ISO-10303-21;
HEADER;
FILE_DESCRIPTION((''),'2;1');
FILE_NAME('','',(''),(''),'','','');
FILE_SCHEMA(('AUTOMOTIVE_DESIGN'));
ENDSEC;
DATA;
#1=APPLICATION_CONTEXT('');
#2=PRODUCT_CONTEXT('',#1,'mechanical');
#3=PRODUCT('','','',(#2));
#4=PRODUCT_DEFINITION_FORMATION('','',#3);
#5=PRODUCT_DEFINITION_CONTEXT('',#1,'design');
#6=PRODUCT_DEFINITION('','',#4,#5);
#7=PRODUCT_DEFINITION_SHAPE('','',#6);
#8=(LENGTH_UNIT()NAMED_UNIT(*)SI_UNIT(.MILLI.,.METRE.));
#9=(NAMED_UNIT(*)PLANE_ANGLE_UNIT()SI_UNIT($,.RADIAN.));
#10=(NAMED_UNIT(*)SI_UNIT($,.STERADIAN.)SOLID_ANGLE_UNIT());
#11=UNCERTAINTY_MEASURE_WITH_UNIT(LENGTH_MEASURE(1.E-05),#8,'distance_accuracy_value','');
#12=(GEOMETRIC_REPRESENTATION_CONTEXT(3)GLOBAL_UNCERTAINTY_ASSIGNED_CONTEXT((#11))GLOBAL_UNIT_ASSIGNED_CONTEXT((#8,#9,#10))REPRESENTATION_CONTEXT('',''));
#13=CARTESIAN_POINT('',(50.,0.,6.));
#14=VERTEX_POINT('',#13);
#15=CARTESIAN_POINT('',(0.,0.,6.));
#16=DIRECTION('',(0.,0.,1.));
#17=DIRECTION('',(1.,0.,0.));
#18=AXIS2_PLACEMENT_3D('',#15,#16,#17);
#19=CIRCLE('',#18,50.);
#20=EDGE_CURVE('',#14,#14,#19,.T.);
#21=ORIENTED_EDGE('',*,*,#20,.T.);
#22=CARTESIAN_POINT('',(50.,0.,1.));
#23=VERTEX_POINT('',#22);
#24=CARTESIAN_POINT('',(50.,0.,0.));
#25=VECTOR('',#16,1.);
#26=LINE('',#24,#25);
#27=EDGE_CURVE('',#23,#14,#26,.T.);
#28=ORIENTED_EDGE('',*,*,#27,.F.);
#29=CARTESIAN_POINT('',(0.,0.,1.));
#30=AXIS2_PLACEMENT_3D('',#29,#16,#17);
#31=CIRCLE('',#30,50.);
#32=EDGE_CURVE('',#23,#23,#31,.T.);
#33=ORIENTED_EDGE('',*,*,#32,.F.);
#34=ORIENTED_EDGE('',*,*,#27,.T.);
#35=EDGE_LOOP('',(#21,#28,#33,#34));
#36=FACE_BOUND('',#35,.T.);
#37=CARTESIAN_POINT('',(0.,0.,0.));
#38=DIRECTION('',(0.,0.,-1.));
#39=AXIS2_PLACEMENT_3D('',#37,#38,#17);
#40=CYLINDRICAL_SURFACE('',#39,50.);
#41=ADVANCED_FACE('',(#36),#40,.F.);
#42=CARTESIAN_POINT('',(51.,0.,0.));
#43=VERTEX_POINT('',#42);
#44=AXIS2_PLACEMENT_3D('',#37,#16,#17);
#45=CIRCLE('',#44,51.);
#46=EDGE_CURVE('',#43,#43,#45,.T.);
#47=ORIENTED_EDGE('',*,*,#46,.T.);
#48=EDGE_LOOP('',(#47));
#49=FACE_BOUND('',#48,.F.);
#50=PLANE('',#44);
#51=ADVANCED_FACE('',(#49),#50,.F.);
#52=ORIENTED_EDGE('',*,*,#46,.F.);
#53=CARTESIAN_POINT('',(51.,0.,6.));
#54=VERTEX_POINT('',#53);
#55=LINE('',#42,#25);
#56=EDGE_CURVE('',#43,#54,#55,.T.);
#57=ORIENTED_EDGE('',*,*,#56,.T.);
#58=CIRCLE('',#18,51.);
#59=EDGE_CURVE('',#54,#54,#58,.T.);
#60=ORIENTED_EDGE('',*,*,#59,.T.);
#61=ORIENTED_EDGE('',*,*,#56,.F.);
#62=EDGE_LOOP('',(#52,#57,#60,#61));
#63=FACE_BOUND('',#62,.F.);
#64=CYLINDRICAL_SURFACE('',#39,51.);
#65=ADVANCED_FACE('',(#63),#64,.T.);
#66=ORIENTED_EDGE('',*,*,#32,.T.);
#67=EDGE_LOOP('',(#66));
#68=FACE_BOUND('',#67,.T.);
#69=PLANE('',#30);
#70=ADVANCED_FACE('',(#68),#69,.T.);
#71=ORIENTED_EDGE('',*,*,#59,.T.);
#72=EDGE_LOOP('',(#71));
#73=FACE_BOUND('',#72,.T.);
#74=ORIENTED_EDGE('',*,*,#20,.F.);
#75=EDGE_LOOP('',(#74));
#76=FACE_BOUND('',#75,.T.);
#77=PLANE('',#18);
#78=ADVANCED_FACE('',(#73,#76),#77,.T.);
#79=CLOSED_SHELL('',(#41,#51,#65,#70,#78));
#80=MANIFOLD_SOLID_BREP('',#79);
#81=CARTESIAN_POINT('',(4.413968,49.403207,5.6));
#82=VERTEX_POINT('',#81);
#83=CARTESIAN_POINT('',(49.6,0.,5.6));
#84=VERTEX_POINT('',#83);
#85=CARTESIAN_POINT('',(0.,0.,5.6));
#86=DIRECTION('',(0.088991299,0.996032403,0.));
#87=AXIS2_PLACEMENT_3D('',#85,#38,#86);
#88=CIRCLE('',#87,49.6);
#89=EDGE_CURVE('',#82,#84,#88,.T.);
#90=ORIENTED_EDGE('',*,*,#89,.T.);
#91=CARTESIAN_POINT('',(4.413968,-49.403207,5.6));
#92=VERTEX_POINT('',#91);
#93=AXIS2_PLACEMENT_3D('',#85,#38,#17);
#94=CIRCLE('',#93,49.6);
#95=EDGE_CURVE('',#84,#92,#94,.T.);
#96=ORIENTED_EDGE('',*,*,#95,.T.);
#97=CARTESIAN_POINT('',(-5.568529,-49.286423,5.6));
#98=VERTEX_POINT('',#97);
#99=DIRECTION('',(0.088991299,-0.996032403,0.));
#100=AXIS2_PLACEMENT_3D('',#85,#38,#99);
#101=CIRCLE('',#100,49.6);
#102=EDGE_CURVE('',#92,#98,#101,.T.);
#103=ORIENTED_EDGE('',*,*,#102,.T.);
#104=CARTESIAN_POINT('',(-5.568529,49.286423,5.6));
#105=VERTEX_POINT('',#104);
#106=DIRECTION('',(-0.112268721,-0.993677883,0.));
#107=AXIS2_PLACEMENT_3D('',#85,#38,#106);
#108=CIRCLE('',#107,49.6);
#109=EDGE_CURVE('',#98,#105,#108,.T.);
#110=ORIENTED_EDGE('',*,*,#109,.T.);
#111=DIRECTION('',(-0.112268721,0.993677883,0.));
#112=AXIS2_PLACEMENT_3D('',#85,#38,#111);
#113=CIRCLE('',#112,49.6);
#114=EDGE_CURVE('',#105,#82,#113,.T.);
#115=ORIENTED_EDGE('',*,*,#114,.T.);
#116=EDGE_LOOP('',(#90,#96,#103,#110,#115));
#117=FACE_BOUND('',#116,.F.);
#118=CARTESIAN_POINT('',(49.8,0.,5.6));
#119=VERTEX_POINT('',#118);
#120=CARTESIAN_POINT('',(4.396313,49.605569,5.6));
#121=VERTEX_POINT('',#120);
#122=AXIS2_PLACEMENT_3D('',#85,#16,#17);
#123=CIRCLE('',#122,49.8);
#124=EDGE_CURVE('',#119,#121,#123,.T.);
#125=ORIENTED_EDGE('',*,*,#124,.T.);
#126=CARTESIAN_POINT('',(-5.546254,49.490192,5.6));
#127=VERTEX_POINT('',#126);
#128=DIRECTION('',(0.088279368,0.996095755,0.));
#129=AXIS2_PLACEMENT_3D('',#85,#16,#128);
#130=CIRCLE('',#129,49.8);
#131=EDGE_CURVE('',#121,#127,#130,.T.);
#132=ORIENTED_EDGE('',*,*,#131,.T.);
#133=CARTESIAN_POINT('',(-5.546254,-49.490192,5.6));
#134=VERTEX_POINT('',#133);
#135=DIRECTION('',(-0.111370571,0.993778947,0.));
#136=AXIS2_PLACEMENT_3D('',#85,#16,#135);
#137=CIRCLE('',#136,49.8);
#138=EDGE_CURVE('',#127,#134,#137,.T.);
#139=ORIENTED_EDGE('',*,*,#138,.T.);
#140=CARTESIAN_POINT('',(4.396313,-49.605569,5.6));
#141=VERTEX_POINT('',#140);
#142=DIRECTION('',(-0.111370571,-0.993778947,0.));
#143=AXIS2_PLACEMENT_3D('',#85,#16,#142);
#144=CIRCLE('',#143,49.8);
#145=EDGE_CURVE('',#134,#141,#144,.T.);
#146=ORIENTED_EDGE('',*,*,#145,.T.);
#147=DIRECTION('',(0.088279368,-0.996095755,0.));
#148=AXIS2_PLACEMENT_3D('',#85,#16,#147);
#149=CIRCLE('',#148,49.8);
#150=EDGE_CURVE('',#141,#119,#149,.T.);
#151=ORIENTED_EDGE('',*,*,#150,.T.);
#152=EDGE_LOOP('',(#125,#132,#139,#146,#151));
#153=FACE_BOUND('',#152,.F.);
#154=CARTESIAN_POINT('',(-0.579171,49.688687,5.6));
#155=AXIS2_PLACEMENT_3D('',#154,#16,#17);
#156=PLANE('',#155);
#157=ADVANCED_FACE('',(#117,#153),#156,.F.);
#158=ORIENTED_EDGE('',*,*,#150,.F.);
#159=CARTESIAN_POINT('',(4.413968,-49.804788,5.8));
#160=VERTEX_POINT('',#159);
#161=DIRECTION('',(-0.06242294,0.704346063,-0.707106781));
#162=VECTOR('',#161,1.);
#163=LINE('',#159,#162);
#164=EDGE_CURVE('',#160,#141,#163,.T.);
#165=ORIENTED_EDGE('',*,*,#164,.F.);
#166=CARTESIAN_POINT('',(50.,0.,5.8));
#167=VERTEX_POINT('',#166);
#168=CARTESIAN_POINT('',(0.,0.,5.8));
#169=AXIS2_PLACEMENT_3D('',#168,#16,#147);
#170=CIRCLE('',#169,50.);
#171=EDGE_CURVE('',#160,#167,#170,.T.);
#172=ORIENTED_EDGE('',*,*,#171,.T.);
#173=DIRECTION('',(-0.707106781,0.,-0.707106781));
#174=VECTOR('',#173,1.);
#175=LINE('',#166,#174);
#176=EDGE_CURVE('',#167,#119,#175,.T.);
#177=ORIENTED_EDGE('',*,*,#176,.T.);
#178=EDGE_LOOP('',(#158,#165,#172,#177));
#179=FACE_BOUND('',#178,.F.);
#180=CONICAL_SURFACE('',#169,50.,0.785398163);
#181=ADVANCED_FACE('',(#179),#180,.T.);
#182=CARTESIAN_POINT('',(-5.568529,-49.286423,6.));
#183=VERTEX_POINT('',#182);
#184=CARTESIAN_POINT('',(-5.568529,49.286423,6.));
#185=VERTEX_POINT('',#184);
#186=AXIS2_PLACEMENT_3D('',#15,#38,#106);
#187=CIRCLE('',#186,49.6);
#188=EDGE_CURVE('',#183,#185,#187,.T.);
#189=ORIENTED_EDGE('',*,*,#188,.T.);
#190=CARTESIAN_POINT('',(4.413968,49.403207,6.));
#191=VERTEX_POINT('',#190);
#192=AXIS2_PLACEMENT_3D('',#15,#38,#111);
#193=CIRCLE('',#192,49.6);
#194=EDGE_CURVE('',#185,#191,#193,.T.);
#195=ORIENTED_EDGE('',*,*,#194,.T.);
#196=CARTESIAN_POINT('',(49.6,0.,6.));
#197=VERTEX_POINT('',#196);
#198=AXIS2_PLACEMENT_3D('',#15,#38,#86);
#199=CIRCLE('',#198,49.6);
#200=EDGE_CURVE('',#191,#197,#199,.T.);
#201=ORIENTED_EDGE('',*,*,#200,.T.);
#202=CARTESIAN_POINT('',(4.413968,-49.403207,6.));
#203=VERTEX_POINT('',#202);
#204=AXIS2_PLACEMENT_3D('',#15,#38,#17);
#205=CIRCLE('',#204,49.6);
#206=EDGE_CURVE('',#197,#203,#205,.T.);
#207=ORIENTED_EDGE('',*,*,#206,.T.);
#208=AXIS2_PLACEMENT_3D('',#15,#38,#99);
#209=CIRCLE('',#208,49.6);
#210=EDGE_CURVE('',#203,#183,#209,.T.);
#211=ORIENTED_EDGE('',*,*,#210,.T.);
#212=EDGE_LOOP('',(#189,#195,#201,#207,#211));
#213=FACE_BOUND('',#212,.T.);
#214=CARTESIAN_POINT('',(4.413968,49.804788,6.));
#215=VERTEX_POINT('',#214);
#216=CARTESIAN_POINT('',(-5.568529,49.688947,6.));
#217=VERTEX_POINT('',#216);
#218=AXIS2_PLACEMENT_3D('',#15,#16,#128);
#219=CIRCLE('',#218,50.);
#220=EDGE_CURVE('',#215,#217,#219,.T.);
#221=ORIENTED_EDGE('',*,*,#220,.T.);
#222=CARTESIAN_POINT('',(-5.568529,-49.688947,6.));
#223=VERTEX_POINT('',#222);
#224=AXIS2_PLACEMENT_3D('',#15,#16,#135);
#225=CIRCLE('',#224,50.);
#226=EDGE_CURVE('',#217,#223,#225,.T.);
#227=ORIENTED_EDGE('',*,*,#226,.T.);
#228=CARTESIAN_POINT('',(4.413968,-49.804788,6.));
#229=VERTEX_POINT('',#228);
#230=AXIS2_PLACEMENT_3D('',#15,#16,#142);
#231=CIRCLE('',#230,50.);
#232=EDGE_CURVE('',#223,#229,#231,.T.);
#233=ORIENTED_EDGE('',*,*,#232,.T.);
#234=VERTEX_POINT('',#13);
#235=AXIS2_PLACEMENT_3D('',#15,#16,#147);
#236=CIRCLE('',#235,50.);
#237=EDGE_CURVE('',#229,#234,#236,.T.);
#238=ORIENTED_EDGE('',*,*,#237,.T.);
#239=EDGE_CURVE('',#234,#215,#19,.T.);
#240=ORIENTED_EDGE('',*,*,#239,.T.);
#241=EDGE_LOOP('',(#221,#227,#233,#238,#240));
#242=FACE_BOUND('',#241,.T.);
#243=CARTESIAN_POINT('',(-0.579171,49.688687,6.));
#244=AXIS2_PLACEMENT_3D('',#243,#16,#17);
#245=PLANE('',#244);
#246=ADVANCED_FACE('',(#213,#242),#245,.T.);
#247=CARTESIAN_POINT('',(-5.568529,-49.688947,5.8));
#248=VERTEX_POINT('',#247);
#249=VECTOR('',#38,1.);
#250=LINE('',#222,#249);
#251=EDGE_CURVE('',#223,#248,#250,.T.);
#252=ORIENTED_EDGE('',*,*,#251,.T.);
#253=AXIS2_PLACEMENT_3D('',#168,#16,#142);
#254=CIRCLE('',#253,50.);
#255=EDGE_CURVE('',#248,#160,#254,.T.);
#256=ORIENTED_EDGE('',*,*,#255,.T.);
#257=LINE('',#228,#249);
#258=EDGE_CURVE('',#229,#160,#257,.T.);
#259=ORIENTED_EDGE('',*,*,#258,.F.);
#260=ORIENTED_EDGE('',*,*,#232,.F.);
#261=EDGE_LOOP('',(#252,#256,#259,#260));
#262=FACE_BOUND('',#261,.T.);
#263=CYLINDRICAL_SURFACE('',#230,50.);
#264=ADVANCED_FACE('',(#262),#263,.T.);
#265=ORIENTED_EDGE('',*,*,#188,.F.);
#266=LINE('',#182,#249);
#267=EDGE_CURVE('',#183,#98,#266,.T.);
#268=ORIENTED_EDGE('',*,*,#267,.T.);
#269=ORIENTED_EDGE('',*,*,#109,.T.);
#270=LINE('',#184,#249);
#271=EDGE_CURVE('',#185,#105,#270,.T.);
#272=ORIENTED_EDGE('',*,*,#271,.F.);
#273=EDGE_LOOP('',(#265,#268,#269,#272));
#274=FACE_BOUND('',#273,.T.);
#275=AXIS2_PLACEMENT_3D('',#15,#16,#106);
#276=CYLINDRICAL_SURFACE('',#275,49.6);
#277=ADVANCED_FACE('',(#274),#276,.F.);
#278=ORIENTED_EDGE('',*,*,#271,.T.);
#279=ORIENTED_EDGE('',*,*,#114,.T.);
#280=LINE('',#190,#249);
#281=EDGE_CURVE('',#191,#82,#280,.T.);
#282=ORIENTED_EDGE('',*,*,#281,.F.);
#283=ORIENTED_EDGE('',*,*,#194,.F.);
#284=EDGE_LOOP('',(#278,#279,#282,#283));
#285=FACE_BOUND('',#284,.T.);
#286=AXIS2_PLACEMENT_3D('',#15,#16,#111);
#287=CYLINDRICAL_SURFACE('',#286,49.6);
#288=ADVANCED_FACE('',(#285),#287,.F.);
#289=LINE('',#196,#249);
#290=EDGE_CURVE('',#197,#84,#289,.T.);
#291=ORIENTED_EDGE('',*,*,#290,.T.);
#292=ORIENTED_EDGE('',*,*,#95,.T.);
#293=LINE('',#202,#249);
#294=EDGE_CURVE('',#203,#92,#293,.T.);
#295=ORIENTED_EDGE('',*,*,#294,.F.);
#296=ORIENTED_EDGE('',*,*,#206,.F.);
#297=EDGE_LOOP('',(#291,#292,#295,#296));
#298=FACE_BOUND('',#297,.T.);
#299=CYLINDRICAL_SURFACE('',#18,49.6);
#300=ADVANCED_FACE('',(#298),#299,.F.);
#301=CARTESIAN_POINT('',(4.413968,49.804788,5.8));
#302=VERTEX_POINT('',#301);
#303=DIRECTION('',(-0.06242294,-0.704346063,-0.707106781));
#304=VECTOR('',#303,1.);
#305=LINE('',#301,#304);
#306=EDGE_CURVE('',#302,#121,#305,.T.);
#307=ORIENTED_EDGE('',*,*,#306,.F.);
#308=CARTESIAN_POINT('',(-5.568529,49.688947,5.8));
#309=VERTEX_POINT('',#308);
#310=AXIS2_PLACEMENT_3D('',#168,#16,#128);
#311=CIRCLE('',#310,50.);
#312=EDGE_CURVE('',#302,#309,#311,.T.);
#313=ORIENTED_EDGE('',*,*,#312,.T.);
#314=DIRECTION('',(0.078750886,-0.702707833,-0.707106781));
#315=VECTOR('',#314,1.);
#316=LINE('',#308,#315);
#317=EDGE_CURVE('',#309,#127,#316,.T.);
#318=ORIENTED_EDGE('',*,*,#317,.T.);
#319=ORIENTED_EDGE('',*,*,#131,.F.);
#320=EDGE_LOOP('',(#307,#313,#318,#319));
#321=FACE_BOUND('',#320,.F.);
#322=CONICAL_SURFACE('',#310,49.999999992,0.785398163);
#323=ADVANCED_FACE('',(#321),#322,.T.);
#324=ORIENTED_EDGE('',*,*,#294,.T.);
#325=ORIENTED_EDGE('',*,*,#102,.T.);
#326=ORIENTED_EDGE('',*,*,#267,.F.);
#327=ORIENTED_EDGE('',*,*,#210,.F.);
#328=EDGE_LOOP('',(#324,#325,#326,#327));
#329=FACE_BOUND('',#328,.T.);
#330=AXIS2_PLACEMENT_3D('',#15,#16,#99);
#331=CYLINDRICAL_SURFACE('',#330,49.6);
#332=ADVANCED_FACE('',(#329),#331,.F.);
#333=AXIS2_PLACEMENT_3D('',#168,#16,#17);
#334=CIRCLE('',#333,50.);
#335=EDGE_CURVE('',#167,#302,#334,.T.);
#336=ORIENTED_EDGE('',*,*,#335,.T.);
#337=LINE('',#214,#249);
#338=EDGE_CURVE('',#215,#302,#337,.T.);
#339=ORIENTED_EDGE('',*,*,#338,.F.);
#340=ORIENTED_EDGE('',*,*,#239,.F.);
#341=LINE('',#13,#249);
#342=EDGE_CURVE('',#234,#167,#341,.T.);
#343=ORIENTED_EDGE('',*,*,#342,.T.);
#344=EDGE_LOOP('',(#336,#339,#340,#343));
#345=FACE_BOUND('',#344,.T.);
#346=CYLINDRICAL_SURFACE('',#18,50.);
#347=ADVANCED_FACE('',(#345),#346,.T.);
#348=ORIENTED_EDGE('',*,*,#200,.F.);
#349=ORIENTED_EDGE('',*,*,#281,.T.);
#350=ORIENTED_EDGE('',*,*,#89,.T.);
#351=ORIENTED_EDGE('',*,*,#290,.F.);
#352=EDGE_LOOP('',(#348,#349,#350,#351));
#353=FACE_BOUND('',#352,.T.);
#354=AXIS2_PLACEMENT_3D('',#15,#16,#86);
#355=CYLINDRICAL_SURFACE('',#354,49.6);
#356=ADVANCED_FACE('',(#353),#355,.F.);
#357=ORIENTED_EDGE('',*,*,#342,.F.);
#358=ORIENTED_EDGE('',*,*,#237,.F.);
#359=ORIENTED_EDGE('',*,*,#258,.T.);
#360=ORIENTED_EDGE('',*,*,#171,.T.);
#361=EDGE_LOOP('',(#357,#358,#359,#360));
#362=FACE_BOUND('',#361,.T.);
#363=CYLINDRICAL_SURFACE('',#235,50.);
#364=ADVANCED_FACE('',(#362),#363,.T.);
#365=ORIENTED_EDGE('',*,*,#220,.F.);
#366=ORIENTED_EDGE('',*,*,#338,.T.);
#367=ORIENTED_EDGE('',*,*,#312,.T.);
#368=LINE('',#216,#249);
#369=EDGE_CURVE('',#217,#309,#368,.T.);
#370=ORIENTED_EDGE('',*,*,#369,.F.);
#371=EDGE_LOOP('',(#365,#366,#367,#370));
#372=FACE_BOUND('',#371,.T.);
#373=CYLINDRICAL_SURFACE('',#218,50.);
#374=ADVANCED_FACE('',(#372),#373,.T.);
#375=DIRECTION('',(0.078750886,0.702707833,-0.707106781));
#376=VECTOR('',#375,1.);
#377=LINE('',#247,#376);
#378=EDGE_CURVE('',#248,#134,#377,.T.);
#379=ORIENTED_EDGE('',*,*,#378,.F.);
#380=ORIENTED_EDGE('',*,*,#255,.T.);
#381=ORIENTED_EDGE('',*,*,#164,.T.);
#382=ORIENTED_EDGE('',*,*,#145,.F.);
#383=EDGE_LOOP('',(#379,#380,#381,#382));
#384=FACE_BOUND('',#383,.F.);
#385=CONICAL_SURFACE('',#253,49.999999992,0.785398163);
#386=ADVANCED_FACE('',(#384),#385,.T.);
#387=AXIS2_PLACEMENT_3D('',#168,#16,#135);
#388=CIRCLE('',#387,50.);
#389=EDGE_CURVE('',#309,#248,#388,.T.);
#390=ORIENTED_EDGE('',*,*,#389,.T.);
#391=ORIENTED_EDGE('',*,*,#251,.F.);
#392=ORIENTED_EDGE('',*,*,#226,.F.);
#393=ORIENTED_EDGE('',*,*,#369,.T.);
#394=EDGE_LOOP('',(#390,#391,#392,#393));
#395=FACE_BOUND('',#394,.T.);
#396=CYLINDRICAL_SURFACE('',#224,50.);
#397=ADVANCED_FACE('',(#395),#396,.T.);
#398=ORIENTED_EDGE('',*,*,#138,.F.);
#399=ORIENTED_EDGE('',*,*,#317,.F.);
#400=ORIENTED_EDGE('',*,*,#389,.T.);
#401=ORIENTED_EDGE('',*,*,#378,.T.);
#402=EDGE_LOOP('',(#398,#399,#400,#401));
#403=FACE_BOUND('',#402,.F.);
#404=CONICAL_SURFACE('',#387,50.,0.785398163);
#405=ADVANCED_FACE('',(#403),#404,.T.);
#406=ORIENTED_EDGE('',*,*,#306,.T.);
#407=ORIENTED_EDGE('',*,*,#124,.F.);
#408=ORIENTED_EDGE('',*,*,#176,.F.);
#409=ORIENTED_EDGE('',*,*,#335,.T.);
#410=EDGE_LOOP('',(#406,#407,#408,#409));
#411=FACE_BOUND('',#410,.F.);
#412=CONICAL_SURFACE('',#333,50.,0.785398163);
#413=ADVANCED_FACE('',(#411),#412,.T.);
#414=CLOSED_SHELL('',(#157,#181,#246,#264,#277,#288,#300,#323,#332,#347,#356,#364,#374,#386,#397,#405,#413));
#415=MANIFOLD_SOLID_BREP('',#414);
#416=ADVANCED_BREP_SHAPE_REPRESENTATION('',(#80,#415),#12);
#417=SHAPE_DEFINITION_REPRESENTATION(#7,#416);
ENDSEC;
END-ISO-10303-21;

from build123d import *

# Parameters (mm, degrees)
F0_R     = 50
F0_R_2   = 49.6
F1_DEPTH = 1
F0_R_3   = 51
F2_DEPTH = 6
F4_DEPTH = 0.4
F5_DEPTH = 50
F6_SIZE  = 0.2


with BuildPart() as f1:
    # F0 (on Top) → F1 (new body)
    with BuildSketch(Plane.XY):
        Circle(F0_R)
        Circle(F0_R_2, mode=Mode.SUBTRACT)
        Circle(F0_R_2)
    extrude(amount=F1_DEPTH)

    # F0 (on Top) → F2 (join)
    with BuildSketch(Plane.XY):
        Circle(F0_R_3)
        Circle(F0_R, mode=Mode.SUBTRACT)
    extrude(amount=F2_DEPTH)

    # F3 (on face) → F5 (cut)
    with BuildSketch(Plane.XY.offset(6)):
        with BuildLine():
            ThreePointArc((4.4139684178, 49.4032072117), (36.5998144362, 33.4755669592), (49.6, 0))
            ThreePointArc((49.6, 0), (36.5998144362, -33.4755669592), (4.4139684178, -49.4032072117))
            Line((4.4139684178, -49.4032072117), (4.4139684178, -54.8225946377))
            ThreePointArc((4.4139684178, -54.8225946377), (40.4213326288, -37.2976657247), (55, 0))
            ThreePointArc((55, 0), (40.4213326288, 37.2976657247), (4.4139684178, 54.8225946377))
            Line((4.4139684178, 54.8225946377), (4.4139684178, 49.4032072117))
        make_face()
        with BuildLine():
            ThreePointArc((-5.5685285479, 49.2864229764), (-0.5802257431, 49.5966061146), (4.4139684178, 49.4032072117))
            Line((4.4139684178, 49.4032072117), (4.4139684178, 54.8225946377))
            ThreePointArc((4.4139684178, 54.8225946377), (-0.5796722281, 54.9969451889), (-5.5685285479, 54.7173783163))
            Line((-5.5685285479, 54.7173783163), (-5.5685285479, 49.2864229764))
        make_face()
        with BuildLine():
            Line((4.4139684178, -54.8225946377), (4.4139684178, -49.4032072117))
            ThreePointArc((4.4139684178, -49.4032072117), (-0.5802257431, -49.5966061146), (-5.5685285479, -49.2864229764))
            Line((-5.5685285479, -49.2864229764), (-5.5685285479, -54.7173783163))
            ThreePointArc((-5.5685285479, -54.7173783163), (-0.5796722281, -54.9969451889), (4.4139684178, -54.8225946377))
        make_face()
        with BuildLine():
            ThreePointArc((-5.5685285479, -49.2864229764), (-49.6, 0), (-5.5685285479, 49.2864229764))
            Line((-5.5685285479, 49.2864229764), (-5.5685285479, 54.7173783163))
            ThreePointArc((-5.5685285479, 54.7173783163), (-55, 0), (-5.5685285479, -54.7173783163))
            Line((-5.5685285479, -54.7173783163), (-5.5685285479, -49.2864229764))
        make_face()
        with BuildLine():
            Line((4.4139684178, 76.1056467891), (4.4139684178, 54.8225946377))
            ThreePointArc((4.4139684178, 54.8225946377), (40.4213326288, 37.2976657247), (55, 0))
            ThreePointArc((55, 0), (40.4213326288, -37.2976657247), (4.4139684178, -54.8225946377))
            Line((4.4139684178, -54.8225946377), (4.4139684178, -67.0049488544))
            Line((4.4139684178, -67.0049488544), (60.477912426, -67.0049488544))
            Line((60.477912426, -67.0049488544), (60.477912426, 76.1056467891))
            Line((60.477912426, 76.1056467891), (4.4139684178, 76.1056467891))
        make_face()
        with BuildLine():
            ThreePointArc((-5.5685285479, -54.7173783163), (-55, 0), (-5.5685285479, 54.7173783163))
            Line((-5.5685285479, 54.7173783163), (-5.5685285479, 65.7780617476))
            Line((-5.5685285479, 65.7780617476), (-59.7644932568, 65.7780617476))
            Line((-59.7644932568, 65.7780617476), (-59.7644932568, -64.7708252072))
            Line((-59.7644932568, -64.7708252072), (-5.5685285479, -64.7708252072))
            Line((-5.5685285479, -64.7708252072), (-5.5685285479, -54.7173783163))
        make_face()
    extrude(amount=F5_DEPTH, mode=Mode.SUBTRACT)


with BuildPart() as f4:
    # F3 (on face) → F4 (new body)
    with BuildSketch(Plane.XY.offset(6)):
        with BuildLine():
            ThreePointArc((-5.5685285479, 49.2864229764), (-0.5802257431, 49.5966061146), (4.4139684178, 49.4032072117))
            Line((4.4139684178, 49.4032072117), (4.4139684178, 49.8047877498))
            ThreePointArc((4.4139684178, 49.8047877498), (-0.5801784402, 49.9966338165), (-5.5685285479, 49.6889473607))
            Line((-5.5685285479, 49.6889473607), (-5.5685285479, 49.2864229764))
        make_face()
        with BuildLine():
            ThreePointArc((-5.5685285479, -49.2864229764), (-49.6, 0), (-5.5685285479, 49.2864229764))
            Line((-5.5685285479, 49.2864229764), (-5.5685285479, 49.6889473607))
            ThreePointArc((-5.5685285479, 49.6889473607), (-50, 0), (-5.5685285479, -49.6889473607))
            Line((-5.5685285479, -49.6889473607), (-5.5685285479, -49.2864229764))
        make_face()
        with BuildLine():
            Line((4.4139684178, -49.8047877498), (4.4139684178, -49.4032072117))
            ThreePointArc((4.4139684178, -49.4032072117), (-0.5802257431, -49.5966061146), (-5.5685285479, -49.2864229764))
            Line((-5.5685285479, -49.2864229764), (-5.5685285479, -49.6889473607))
            ThreePointArc((-5.5685285479, -49.6889473607), (-0.5801784402, -49.9966338165), (4.4139684178, -49.8047877498))
        make_face()
        with BuildLine():
            ThreePointArc((4.4139684178, 49.4032072117), (36.5998144362, 33.4755669592), (49.6, 0))
            ThreePointArc((49.6, 0), (36.5998144362, -33.4755669592), (4.4139684178, -49.4032072117))
            Line((4.4139684178, -49.4032072117), (4.4139684178, -49.8047877498))
            ThreePointArc((4.4139684178, -49.8047877498), (36.8829121741, -33.7587142758), (50, 0))
            ThreePointArc((50, 0), (36.8829121741, 33.7587142758), (4.4139684178, 49.8047877498))
            Line((4.4139684178, 49.8047877498), (4.4139684178, 49.4032072117))
        make_face()
    extrude(amount=-F4_DEPTH)

    # F6
    f6_edges = [f4.edges().sort_by_distance(p)[0] for p in [
        (-4.413968, 49.804788, 5.6),
    ]]
    chamfer(f6_edges, length=F6_SIZE)


solid = Compound([f1.part, f4.part])
